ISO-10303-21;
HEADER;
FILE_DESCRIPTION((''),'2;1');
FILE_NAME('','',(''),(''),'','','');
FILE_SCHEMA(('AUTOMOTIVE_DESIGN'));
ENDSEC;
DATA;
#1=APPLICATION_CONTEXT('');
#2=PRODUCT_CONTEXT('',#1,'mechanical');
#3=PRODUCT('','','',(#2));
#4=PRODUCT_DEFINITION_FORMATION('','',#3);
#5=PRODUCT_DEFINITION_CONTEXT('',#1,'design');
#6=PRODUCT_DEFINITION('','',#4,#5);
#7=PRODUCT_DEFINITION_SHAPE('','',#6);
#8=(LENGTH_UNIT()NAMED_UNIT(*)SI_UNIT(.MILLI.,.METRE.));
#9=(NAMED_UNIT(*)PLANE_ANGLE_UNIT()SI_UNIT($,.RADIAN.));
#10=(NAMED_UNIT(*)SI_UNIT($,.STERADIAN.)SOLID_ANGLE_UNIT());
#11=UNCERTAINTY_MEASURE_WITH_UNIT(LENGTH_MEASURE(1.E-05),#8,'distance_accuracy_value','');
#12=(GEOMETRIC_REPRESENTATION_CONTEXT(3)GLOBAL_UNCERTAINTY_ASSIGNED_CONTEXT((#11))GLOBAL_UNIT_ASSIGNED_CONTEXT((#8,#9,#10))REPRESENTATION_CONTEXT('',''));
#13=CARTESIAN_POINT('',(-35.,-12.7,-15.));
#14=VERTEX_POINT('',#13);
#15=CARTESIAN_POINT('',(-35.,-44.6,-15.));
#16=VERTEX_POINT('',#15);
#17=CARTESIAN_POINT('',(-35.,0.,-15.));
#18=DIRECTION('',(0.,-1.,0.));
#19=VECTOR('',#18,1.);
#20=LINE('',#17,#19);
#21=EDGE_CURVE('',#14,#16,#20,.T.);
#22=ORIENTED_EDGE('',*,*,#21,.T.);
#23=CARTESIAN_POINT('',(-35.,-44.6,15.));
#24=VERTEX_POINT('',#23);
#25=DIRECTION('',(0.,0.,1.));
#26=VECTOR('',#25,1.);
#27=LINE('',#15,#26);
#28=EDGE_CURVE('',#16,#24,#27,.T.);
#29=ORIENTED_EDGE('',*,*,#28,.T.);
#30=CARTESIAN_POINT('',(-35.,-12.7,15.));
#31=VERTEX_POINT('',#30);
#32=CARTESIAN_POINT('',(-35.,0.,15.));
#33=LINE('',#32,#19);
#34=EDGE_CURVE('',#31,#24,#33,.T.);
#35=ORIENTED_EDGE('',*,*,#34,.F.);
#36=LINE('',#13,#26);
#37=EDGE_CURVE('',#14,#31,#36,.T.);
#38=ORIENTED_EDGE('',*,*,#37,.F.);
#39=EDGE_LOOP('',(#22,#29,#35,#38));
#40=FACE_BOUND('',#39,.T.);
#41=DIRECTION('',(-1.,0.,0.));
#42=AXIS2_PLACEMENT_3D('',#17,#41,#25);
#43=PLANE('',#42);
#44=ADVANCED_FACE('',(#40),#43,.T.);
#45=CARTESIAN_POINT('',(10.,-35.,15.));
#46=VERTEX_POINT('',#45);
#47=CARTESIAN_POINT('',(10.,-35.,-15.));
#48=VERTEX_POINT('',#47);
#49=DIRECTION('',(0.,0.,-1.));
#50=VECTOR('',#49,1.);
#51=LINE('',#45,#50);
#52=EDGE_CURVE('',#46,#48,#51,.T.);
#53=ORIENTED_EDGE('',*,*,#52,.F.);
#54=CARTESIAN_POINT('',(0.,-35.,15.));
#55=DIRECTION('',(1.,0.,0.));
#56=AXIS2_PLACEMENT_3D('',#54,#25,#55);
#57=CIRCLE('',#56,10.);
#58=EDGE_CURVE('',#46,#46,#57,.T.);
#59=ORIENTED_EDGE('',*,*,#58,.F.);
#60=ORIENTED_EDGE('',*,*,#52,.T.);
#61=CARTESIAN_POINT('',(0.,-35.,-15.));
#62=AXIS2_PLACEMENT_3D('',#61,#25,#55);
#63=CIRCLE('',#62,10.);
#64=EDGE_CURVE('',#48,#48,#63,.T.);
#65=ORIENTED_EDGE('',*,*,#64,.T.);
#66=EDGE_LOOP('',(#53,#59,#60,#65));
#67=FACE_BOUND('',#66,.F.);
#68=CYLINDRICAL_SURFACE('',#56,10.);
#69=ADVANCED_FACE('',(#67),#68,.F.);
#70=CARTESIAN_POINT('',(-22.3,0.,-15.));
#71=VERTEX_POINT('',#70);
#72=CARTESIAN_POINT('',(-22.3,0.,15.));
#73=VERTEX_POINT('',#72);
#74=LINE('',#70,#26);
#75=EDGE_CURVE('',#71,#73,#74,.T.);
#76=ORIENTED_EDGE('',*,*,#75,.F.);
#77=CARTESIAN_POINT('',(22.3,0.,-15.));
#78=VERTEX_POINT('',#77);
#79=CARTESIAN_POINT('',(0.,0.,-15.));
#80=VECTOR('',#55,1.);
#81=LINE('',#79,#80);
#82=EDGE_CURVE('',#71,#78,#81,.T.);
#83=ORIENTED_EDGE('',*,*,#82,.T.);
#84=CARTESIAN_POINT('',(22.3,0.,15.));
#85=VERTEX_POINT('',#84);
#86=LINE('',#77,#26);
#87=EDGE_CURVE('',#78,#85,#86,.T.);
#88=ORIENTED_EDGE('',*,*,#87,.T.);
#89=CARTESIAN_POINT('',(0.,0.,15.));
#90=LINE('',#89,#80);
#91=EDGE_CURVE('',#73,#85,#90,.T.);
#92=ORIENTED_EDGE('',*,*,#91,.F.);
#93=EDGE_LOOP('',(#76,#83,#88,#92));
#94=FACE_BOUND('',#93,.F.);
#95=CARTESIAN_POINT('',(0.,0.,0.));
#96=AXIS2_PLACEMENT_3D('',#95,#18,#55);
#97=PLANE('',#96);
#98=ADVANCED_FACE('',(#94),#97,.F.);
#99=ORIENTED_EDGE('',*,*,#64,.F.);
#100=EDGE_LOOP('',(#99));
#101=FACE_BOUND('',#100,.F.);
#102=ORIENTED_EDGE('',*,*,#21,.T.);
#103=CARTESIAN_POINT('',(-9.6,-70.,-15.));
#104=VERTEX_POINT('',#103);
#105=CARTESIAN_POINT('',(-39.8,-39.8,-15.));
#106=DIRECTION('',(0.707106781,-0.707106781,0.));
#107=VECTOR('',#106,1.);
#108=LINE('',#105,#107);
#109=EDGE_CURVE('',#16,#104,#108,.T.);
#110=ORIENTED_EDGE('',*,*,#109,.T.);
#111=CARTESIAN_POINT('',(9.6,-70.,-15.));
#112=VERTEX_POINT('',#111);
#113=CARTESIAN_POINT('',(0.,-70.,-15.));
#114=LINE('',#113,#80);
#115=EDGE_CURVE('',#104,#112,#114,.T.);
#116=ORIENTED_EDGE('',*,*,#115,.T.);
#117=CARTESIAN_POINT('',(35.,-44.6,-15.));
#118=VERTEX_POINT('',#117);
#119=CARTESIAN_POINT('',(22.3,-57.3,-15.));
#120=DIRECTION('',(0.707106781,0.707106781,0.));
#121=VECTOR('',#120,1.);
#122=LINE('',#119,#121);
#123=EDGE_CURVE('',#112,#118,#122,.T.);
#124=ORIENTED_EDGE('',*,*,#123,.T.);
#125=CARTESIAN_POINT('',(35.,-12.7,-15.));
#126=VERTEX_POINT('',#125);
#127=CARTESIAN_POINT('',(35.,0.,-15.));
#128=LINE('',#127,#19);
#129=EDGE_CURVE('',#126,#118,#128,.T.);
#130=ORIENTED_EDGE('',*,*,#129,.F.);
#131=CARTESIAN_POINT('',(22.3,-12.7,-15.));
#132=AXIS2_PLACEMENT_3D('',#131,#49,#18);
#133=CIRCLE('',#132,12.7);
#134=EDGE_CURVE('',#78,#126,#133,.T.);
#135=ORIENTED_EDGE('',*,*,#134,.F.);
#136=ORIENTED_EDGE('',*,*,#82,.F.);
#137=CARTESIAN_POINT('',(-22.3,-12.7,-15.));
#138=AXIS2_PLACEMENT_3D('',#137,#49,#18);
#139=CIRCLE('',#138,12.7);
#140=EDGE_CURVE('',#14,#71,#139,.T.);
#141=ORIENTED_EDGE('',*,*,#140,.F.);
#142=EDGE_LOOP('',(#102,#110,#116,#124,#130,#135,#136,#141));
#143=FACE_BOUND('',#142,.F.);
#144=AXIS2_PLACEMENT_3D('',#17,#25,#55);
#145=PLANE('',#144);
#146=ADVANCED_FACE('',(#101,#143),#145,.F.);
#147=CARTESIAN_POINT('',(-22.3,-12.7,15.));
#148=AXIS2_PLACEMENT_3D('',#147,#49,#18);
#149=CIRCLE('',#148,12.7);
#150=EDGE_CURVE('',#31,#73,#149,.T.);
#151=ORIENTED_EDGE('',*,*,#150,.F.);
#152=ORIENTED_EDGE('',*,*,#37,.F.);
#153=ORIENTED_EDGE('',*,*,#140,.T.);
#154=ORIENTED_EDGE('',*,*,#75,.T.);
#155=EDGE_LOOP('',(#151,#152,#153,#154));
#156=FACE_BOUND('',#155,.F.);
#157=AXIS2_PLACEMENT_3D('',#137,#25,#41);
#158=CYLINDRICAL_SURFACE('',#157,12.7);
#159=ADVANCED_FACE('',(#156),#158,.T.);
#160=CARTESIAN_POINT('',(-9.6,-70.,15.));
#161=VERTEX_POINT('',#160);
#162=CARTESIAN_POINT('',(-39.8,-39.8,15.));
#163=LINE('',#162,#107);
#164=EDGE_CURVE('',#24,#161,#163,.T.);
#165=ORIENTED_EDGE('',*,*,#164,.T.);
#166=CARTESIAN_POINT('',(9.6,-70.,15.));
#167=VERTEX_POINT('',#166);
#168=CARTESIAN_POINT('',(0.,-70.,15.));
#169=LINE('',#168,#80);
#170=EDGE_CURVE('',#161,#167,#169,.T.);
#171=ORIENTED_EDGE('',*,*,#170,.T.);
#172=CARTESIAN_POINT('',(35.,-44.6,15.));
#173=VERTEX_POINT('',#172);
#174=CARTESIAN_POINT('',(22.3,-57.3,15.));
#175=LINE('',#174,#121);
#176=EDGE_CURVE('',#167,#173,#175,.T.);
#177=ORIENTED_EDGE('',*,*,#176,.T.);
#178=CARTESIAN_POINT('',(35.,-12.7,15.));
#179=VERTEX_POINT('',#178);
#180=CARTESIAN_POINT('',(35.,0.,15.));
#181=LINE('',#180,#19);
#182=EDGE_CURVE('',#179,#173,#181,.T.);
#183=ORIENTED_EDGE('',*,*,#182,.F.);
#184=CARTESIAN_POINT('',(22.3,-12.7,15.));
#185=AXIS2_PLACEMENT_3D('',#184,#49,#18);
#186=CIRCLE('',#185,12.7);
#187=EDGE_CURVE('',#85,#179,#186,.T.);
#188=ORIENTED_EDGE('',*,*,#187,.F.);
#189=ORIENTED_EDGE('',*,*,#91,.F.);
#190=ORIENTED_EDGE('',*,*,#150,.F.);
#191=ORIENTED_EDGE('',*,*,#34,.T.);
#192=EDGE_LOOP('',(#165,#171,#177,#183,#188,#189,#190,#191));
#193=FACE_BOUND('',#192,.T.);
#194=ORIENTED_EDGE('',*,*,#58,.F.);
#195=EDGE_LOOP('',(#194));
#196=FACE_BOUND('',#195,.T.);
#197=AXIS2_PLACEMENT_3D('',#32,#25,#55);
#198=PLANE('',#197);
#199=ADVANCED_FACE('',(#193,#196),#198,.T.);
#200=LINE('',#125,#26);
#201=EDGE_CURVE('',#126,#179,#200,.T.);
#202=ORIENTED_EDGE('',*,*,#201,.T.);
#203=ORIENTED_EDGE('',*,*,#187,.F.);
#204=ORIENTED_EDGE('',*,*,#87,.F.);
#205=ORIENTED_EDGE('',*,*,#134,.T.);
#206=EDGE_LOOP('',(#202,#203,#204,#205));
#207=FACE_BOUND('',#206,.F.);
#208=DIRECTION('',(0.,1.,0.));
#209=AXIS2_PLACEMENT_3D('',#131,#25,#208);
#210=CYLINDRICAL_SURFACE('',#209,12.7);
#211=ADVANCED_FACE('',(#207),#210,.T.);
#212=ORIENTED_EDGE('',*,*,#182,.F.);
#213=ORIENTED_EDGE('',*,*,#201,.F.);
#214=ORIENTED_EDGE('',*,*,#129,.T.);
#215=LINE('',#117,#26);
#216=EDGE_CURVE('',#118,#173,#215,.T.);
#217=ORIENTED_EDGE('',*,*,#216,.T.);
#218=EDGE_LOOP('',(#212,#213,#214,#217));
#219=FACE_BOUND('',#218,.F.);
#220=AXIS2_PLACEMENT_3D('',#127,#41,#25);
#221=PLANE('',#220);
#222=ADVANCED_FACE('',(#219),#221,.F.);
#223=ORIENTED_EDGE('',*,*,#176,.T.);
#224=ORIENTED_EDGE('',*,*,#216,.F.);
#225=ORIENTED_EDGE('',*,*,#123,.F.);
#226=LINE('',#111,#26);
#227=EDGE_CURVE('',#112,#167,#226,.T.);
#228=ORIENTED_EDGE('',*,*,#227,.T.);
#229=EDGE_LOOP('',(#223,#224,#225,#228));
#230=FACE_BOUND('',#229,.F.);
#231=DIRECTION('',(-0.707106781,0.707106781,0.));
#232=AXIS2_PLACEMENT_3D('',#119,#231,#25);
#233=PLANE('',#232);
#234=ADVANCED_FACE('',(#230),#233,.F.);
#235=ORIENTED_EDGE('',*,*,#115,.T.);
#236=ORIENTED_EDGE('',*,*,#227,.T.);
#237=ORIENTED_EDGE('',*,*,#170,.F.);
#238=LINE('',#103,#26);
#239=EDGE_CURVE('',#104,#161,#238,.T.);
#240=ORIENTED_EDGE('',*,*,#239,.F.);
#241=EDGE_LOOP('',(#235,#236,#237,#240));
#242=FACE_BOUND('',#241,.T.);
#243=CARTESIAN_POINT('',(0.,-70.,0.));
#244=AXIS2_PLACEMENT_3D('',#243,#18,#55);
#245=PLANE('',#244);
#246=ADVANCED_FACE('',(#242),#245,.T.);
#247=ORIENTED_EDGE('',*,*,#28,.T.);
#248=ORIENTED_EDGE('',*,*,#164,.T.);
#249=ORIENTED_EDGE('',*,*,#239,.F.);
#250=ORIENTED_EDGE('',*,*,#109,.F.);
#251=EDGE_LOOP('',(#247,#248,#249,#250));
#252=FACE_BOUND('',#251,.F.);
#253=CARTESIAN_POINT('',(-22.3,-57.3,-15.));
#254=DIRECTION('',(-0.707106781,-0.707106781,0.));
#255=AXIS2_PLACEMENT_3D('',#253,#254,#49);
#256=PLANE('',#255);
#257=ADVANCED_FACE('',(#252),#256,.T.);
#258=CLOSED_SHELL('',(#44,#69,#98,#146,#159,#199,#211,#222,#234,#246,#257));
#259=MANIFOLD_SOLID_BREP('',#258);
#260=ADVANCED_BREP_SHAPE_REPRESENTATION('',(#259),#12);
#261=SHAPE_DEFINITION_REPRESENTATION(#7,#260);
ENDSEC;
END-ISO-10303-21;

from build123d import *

# Parameters (mm, degrees)
F0_W     = 70
F0_H     = 30
F1_DEPTH = 70
F2_R     = 10
F3_DEPTH = 30.001
F4_R     = 12.7
F5_SIZE  = 25.4


with BuildPart() as f1:
    # F0 (on Front) → F1 (new body)
    with BuildSketch(Plane.XZ):
        Rectangle(F0_W, F0_H)
    extrude(amount=F1_DEPTH)

    # F2 (on face) → F3 (cut, through all)
    with BuildSketch(Plane.XY.offset(15)):
        with Locations((0, -35)):
            Circle(F2_R)
    extrude(amount=-F3_DEPTH, mode=Mode.SUBTRACT)

    # F4
    f4_edges = [f1.edges().sort_by_distance(p)[0] for p in [
        (-35, 0, 0),
        (35, 0, 0),
    ]]
    fillet(f4_edges, radius=F4_R)

    # F5
    f5_edges = [f1.edges().sort_by_distance(p)[0] for p in [
        (-35, -70, 0),
        (35, -70, 0),
    ]]
    chamfer(f5_edges, length=F5_SIZE)


solid = f1.part
